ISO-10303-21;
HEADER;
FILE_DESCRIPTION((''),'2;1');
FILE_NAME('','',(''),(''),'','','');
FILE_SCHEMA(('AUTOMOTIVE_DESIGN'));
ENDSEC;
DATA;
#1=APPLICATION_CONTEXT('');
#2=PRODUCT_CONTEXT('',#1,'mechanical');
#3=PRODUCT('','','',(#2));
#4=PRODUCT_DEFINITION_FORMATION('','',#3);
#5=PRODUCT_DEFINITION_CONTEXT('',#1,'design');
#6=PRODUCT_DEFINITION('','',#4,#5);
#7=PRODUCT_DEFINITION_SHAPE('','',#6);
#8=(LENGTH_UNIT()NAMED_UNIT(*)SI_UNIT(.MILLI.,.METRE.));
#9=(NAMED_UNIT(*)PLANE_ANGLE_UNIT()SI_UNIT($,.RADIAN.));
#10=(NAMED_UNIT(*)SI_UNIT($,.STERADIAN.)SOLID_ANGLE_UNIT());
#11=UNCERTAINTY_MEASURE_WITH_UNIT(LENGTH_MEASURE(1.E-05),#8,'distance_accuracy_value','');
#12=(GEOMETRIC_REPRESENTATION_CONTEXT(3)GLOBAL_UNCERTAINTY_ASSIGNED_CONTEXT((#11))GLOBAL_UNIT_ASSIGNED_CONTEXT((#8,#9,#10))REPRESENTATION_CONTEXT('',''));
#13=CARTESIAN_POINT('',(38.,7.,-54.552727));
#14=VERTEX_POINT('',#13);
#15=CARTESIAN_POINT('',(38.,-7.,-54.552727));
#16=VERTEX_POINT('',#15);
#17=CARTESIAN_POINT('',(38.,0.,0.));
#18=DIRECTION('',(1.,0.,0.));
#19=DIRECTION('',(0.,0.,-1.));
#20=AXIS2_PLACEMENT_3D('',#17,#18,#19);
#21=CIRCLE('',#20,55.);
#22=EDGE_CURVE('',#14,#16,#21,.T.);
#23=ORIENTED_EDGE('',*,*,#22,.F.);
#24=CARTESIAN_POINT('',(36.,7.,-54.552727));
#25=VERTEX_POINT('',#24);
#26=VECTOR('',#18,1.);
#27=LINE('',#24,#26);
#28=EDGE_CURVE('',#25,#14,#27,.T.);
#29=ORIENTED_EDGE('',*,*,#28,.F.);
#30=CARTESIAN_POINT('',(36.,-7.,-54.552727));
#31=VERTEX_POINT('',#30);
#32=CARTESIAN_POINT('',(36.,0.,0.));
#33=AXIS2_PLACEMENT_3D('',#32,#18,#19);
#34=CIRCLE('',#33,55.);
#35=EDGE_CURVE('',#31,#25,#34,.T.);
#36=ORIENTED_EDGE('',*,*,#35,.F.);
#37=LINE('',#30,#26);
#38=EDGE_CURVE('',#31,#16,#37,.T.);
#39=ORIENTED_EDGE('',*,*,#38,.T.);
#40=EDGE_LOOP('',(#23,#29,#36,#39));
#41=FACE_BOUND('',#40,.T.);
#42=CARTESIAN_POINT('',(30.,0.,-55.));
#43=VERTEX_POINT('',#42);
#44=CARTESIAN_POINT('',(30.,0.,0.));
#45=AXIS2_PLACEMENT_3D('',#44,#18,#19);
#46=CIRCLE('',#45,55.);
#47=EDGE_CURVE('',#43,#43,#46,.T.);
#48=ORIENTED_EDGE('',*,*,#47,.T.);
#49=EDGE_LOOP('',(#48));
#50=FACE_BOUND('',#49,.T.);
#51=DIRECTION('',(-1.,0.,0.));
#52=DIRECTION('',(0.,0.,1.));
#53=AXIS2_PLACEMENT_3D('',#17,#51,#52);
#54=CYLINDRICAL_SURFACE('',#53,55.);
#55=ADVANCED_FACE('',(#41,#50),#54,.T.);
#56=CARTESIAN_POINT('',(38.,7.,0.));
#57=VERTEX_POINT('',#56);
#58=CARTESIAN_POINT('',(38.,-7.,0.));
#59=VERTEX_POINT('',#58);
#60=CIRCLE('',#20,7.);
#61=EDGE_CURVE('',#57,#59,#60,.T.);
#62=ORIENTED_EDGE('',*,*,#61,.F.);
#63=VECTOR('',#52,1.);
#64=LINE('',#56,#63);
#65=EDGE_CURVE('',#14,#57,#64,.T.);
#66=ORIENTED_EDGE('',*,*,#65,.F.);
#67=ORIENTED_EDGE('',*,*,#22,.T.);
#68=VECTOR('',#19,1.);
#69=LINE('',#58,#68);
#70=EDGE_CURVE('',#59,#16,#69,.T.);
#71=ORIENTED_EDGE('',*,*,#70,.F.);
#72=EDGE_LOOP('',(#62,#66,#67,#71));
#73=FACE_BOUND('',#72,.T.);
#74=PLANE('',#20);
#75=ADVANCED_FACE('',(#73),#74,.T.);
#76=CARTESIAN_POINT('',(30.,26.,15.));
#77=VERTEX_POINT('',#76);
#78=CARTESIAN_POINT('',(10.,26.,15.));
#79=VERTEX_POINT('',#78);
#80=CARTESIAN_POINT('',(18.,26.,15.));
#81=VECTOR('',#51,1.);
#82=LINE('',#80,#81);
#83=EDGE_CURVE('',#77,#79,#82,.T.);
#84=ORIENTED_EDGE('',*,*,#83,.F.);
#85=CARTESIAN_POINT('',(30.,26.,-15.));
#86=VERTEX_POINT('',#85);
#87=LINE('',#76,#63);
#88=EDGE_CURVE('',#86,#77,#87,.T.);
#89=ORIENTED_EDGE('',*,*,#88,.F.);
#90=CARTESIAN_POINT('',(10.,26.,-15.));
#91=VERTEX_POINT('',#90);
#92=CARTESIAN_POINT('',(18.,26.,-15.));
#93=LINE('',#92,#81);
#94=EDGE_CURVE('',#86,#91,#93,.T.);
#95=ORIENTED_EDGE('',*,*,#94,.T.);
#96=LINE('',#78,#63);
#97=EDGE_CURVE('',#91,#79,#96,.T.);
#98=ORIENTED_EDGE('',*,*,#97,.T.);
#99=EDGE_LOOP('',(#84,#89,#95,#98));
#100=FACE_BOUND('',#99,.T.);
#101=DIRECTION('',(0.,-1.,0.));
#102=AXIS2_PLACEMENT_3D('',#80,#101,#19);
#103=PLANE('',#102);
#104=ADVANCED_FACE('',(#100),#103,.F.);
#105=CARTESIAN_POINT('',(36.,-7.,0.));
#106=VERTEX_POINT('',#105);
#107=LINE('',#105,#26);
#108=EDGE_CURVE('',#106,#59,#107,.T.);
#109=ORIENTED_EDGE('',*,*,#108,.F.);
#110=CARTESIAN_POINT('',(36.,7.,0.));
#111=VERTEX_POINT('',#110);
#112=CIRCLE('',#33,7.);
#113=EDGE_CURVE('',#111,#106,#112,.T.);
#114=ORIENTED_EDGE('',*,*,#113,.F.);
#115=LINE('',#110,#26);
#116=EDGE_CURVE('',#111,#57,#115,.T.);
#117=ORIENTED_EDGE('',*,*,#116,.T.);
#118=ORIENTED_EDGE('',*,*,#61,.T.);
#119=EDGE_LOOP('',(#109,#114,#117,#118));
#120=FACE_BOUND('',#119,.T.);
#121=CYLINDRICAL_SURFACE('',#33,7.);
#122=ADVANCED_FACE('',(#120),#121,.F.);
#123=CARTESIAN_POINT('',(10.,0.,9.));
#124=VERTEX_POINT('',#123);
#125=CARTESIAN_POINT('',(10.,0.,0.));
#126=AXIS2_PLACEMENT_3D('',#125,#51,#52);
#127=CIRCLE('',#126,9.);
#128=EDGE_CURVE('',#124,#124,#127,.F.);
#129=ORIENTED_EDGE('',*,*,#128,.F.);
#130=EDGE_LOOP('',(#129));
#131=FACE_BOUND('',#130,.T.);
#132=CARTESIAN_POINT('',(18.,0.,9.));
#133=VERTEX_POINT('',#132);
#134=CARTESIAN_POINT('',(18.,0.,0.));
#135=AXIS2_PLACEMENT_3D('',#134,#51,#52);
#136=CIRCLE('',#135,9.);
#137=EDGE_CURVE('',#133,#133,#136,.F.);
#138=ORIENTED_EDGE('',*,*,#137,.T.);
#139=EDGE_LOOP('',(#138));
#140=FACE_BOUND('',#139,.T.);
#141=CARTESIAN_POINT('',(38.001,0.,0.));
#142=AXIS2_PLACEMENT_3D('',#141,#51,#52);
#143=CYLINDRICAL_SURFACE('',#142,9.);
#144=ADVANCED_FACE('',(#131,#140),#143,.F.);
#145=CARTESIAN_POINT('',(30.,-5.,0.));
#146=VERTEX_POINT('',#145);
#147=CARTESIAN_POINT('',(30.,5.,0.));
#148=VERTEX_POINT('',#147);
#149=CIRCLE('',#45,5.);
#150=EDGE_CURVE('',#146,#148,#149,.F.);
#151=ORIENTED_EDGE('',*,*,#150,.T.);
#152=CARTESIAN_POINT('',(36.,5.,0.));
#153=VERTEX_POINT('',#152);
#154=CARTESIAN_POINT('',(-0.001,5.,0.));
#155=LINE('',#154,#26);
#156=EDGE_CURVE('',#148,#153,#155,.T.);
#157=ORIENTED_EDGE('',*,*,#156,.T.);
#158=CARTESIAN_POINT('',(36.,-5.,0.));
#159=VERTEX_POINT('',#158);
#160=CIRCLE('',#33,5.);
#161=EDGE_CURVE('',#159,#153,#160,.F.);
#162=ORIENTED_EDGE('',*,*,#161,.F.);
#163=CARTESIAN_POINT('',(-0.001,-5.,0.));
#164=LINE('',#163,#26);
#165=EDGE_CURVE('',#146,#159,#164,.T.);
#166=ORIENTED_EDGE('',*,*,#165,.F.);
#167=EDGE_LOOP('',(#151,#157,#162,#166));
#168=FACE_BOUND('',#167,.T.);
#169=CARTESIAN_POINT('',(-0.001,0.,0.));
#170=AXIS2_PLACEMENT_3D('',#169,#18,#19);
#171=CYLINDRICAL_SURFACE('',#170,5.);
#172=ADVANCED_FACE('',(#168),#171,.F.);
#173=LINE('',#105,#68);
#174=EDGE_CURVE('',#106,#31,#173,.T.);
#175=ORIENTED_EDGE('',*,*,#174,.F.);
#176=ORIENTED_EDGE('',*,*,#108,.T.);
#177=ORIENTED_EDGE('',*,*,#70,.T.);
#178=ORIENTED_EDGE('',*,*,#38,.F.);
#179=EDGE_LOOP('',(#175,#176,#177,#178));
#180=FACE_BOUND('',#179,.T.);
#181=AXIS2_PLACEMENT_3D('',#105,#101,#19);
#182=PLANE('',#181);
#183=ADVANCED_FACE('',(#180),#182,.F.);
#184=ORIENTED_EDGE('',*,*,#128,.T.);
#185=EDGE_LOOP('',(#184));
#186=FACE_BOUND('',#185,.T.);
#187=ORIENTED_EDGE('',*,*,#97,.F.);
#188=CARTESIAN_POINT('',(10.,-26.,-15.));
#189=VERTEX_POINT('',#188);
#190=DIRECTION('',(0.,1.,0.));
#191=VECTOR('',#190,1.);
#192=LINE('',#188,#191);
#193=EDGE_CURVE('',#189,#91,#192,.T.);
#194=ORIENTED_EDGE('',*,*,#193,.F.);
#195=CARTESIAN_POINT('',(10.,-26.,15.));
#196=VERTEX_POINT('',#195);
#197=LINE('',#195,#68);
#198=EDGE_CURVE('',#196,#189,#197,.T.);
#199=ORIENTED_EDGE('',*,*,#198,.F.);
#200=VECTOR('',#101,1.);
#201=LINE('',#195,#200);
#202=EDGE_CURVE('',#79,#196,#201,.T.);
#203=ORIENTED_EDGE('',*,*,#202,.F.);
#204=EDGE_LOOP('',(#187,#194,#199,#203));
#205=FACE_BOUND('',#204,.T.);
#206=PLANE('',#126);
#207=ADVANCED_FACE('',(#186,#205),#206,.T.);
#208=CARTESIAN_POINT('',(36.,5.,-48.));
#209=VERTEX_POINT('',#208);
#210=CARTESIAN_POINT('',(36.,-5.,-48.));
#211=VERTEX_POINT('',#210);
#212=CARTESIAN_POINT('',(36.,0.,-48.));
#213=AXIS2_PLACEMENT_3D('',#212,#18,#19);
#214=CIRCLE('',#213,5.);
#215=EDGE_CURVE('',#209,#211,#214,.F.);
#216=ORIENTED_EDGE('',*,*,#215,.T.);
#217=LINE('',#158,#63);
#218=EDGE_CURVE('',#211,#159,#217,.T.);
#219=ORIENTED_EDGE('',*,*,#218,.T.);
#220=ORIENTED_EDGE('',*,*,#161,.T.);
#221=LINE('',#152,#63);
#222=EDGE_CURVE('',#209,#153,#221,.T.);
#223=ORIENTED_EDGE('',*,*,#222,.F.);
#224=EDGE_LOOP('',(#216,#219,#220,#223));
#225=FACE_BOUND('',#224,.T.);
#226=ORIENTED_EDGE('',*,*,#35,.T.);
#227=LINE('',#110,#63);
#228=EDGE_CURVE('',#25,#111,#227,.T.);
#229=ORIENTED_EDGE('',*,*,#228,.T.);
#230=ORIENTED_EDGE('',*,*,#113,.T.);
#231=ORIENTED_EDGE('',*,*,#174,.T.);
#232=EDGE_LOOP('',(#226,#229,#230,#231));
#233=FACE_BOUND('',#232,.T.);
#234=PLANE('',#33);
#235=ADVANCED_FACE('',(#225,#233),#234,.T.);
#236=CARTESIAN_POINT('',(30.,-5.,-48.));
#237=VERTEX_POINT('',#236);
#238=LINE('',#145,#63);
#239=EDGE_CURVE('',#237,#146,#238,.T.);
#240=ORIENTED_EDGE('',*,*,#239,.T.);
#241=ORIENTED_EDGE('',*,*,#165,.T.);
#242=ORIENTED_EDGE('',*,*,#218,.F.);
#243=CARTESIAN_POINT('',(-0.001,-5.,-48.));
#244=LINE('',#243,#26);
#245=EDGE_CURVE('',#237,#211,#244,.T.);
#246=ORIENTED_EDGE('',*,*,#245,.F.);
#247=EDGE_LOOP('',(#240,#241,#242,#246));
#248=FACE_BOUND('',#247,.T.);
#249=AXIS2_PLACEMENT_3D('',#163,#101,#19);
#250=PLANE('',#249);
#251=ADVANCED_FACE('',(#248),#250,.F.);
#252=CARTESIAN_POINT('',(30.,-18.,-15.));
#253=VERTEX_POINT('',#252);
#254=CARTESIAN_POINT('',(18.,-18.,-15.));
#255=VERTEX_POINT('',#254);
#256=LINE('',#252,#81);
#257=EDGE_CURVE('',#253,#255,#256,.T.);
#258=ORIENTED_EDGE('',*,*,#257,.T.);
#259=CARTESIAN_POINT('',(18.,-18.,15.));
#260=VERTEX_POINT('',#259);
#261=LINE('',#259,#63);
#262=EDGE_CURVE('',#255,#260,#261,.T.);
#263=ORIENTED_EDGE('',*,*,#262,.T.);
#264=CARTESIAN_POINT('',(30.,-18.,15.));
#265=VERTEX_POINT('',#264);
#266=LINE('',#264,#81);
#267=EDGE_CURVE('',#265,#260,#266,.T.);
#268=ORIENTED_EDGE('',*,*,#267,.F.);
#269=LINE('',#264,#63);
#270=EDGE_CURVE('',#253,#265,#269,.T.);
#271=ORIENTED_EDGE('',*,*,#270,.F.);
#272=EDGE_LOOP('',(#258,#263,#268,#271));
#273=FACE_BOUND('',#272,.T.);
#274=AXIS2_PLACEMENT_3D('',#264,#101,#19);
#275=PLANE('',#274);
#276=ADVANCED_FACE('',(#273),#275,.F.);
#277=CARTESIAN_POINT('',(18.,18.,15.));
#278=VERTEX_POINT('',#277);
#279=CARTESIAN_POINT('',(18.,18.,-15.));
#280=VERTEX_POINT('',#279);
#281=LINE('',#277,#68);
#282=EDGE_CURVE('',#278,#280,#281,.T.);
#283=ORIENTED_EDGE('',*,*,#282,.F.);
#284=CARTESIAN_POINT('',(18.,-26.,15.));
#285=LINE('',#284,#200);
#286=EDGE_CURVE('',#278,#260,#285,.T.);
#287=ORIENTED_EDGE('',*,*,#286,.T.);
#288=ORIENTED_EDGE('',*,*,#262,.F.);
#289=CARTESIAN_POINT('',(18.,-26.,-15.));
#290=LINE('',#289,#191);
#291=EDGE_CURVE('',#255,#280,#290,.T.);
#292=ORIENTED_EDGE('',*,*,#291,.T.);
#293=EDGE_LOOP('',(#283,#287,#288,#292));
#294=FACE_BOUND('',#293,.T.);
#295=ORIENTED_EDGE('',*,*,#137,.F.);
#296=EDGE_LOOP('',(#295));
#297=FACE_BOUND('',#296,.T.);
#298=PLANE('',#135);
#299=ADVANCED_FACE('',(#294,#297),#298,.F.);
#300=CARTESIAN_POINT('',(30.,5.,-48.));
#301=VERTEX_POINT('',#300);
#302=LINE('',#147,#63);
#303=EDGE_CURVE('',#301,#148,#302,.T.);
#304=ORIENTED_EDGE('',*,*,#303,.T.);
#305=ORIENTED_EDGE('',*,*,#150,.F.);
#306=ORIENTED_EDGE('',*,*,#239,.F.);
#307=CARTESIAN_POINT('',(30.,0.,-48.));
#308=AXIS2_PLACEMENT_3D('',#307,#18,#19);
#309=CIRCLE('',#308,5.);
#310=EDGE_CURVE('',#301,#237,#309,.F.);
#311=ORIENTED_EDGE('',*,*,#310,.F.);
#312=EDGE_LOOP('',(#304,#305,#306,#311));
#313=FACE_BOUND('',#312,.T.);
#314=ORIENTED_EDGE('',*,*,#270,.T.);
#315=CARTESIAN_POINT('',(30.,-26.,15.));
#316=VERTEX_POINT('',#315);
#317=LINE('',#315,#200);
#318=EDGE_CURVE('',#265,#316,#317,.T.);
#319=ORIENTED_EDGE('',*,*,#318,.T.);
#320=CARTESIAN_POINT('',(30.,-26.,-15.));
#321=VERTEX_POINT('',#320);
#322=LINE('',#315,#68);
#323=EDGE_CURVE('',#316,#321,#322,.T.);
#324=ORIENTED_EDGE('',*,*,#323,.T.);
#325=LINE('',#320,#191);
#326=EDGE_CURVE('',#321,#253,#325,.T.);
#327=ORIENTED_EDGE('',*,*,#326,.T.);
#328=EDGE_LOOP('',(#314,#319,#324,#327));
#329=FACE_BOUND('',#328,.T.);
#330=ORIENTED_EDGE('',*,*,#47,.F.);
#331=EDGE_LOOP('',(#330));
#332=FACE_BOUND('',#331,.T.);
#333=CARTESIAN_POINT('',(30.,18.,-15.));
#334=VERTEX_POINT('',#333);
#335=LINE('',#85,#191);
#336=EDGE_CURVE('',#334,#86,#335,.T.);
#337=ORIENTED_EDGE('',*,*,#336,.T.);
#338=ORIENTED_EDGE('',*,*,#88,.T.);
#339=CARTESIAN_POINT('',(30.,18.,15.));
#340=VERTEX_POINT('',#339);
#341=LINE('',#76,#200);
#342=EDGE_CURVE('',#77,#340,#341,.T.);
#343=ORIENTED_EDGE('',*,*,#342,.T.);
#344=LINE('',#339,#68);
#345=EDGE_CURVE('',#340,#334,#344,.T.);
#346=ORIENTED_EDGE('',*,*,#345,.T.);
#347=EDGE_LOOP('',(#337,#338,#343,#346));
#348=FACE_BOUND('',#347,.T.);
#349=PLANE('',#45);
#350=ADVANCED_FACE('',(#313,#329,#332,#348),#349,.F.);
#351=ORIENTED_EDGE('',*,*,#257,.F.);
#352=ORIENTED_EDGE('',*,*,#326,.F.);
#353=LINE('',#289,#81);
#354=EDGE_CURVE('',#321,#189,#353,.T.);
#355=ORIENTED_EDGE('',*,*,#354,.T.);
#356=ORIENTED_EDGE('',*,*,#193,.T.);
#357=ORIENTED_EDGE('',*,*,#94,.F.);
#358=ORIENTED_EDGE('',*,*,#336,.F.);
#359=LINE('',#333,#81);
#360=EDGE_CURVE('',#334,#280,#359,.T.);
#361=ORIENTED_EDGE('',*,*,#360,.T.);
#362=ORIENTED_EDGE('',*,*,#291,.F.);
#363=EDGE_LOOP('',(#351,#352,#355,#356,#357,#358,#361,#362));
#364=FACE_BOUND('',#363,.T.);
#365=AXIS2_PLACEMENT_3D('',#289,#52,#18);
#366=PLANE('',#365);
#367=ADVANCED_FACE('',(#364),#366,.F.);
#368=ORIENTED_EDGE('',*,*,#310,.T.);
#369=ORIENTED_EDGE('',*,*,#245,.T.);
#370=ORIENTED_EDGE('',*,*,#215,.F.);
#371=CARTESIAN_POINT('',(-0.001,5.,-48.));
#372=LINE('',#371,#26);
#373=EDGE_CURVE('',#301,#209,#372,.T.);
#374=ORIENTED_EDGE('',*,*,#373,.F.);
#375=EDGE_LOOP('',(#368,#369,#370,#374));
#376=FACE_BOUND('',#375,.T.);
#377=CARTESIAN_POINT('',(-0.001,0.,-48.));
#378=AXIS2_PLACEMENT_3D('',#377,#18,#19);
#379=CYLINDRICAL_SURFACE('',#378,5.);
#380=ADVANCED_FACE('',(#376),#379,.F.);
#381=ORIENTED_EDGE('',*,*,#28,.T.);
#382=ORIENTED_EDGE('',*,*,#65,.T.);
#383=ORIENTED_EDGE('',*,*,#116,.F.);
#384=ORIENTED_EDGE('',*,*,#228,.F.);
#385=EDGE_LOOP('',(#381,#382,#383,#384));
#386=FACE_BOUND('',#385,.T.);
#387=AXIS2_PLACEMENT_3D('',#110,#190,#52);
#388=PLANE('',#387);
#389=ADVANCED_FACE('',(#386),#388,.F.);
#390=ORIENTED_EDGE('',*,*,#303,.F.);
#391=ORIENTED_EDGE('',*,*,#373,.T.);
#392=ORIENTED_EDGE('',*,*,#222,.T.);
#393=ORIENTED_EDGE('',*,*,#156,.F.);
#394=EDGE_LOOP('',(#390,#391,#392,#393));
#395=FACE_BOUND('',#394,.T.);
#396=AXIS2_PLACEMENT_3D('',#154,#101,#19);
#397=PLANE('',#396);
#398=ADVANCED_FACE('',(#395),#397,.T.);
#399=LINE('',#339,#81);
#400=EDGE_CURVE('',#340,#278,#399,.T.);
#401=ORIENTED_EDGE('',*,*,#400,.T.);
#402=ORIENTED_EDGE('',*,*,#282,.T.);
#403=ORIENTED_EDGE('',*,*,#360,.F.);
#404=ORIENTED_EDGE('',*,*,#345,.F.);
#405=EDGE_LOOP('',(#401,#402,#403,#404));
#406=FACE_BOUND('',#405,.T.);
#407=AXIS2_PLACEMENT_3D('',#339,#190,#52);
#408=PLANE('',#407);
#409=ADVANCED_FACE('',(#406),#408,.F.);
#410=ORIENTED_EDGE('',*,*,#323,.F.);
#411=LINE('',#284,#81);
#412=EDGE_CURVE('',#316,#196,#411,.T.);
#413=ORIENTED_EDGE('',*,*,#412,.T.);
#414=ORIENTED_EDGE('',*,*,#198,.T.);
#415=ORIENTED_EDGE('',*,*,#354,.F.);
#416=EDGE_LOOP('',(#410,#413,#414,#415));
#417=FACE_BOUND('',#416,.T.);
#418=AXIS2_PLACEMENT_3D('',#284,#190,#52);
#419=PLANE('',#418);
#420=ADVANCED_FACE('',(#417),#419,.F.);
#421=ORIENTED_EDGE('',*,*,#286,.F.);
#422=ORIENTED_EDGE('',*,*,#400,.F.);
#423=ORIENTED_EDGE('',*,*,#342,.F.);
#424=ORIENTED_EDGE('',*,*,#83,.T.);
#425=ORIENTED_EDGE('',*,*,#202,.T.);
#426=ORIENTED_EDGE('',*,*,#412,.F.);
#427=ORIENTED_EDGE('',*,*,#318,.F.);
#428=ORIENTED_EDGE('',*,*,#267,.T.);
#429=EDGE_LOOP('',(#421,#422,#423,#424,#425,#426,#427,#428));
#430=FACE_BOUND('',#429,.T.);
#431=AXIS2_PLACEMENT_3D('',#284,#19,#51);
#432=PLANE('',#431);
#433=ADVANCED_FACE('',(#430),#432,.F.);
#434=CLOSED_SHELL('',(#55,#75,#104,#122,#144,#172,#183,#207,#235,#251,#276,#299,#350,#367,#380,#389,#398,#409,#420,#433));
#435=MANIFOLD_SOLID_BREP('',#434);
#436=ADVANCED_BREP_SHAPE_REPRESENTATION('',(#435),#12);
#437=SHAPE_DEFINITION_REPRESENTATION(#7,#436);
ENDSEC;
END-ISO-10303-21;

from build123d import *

# Parameters (mm, degrees)
SKETCH_1_R          = 7.5
EXTRUDE_1_DEPTH     = 10
SKETCH_5_W          = 30
SKETCH_5_H          = 52
EXTRUDE_2_DEPTH     = 8
SKETCH_6_W          = 30
SKETCH_6_H          = 8
EXTRUDE_3_DEPTH     = 12
SKETCH_7_R          = 55
EXTRUDE_4_DEPTH     = 8
CUT_EXTRUDE_4_REACH = 40
CUT_EXTRUDE_6_DEPTH = 2
CUT_EXTRUDE_7_REACH = 40
SKETCH_12_R         = 9


with BuildPart() as part:
    # 草图1 → 凸台-拉伸1 (new body)
    with BuildSketch(Plane(origin=(0, 0, 0), x_dir=(0, 0, -1), z_dir=(1, 0, 0))):
        Circle(SKETCH_1_R)
    extrude(amount=EXTRUDE_1_DEPTH)

    # 草图5 → 凸台-拉伸2 (add)
    with BuildSketch(Plane(origin=(10, 0, 0), x_dir=(0, 0, -1), z_dir=(1, 0, 0))):
        Rectangle(SKETCH_5_W, SKETCH_5_H)
    extrude(amount=EXTRUDE_2_DEPTH)

    # 草图6 → 凸台-拉伸3 (add)
    with BuildSketch(Plane(origin=(18, 0, 0), x_dir=(0, 0, -1), z_dir=(1, 0, 0))):
        with Locations((0, 22)):
            Rectangle(SKETCH_6_W, SKETCH_6_H)
        with Locations((0, -22)):
            Rectangle(SKETCH_6_W, SKETCH_6_H)
    extrude(amount=EXTRUDE_3_DEPTH)

    # 草图7 → 凸台-拉伸4 (add)
    with BuildSketch(Plane(origin=(30, 0, 0), x_dir=(0, 0, -1), z_dir=(1, 0, 0))):
        Circle(SKETCH_7_R)
    extrude(amount=EXTRUDE_4_DEPTH)

    # 草图8 → 切除-拉伸4 (cut, up to next)
    with BuildSketch(Plane(origin=(38, 0, 0), x_dir=(0, 0, -1), z_dir=(1, 0, 0)), mode=Mode.PRIVATE) as cut_extrude_4_sk1:
        with BuildLine():
            Line((0, 5), (48, 5))
            ThreePointArc((48, 5), (53, 0), (48, -5))
            Line((48, -5), (0, -5))
            ThreePointArc((0, -5), (-5, 0), (0, 5))
        make_face()
    cut_extrude_4_tool1 = extrude(cut_extrude_4_sk1.sketch, amount=-CUT_EXTRUDE_4_REACH, mode=Mode.PRIVATE) & part.part
    add(cut_extrude_4_tool1.solids().sort_by_distance((38, 0, -24))[0], mode=Mode.SUBTRACT)

    # 草图11 → 切除-拉伸6 (cut)
    with BuildSketch(Plane(origin=(38, 0, 0), x_dir=(0, 0, -1), z_dir=(1, 0, 0))):
        with BuildLine():
            Line((0, 7), (54.552726788, 7))
            ThreePointArc((54.552726788, 7), (55, 0), (54.552726788, -7))
            Line((54.552726788, -7), (0, -7))
            ThreePointArc((0, -7), (-7, 0), (0, 7))
        make_face()
    extrude(amount=-CUT_EXTRUDE_6_DEPTH, mode=Mode.SUBTRACT)

    # 草图12 → 切除-拉伸7 (cut, up to next)
    with BuildSketch(Plane.ZY, mode=Mode.PRIVATE) as cut_extrude_7_sk1:
        Circle(SKETCH_12_R)
    cut_extrude_7_tool1 = extrude(cut_extrude_7_sk1.sketch, amount=-CUT_EXTRUDE_7_REACH, mode=Mode.PRIVATE) & part.part
    add(cut_extrude_7_tool1.solids().sort_by_distance((0, 0, 0))[0], mode=Mode.SUBTRACT)


solid = part.part
